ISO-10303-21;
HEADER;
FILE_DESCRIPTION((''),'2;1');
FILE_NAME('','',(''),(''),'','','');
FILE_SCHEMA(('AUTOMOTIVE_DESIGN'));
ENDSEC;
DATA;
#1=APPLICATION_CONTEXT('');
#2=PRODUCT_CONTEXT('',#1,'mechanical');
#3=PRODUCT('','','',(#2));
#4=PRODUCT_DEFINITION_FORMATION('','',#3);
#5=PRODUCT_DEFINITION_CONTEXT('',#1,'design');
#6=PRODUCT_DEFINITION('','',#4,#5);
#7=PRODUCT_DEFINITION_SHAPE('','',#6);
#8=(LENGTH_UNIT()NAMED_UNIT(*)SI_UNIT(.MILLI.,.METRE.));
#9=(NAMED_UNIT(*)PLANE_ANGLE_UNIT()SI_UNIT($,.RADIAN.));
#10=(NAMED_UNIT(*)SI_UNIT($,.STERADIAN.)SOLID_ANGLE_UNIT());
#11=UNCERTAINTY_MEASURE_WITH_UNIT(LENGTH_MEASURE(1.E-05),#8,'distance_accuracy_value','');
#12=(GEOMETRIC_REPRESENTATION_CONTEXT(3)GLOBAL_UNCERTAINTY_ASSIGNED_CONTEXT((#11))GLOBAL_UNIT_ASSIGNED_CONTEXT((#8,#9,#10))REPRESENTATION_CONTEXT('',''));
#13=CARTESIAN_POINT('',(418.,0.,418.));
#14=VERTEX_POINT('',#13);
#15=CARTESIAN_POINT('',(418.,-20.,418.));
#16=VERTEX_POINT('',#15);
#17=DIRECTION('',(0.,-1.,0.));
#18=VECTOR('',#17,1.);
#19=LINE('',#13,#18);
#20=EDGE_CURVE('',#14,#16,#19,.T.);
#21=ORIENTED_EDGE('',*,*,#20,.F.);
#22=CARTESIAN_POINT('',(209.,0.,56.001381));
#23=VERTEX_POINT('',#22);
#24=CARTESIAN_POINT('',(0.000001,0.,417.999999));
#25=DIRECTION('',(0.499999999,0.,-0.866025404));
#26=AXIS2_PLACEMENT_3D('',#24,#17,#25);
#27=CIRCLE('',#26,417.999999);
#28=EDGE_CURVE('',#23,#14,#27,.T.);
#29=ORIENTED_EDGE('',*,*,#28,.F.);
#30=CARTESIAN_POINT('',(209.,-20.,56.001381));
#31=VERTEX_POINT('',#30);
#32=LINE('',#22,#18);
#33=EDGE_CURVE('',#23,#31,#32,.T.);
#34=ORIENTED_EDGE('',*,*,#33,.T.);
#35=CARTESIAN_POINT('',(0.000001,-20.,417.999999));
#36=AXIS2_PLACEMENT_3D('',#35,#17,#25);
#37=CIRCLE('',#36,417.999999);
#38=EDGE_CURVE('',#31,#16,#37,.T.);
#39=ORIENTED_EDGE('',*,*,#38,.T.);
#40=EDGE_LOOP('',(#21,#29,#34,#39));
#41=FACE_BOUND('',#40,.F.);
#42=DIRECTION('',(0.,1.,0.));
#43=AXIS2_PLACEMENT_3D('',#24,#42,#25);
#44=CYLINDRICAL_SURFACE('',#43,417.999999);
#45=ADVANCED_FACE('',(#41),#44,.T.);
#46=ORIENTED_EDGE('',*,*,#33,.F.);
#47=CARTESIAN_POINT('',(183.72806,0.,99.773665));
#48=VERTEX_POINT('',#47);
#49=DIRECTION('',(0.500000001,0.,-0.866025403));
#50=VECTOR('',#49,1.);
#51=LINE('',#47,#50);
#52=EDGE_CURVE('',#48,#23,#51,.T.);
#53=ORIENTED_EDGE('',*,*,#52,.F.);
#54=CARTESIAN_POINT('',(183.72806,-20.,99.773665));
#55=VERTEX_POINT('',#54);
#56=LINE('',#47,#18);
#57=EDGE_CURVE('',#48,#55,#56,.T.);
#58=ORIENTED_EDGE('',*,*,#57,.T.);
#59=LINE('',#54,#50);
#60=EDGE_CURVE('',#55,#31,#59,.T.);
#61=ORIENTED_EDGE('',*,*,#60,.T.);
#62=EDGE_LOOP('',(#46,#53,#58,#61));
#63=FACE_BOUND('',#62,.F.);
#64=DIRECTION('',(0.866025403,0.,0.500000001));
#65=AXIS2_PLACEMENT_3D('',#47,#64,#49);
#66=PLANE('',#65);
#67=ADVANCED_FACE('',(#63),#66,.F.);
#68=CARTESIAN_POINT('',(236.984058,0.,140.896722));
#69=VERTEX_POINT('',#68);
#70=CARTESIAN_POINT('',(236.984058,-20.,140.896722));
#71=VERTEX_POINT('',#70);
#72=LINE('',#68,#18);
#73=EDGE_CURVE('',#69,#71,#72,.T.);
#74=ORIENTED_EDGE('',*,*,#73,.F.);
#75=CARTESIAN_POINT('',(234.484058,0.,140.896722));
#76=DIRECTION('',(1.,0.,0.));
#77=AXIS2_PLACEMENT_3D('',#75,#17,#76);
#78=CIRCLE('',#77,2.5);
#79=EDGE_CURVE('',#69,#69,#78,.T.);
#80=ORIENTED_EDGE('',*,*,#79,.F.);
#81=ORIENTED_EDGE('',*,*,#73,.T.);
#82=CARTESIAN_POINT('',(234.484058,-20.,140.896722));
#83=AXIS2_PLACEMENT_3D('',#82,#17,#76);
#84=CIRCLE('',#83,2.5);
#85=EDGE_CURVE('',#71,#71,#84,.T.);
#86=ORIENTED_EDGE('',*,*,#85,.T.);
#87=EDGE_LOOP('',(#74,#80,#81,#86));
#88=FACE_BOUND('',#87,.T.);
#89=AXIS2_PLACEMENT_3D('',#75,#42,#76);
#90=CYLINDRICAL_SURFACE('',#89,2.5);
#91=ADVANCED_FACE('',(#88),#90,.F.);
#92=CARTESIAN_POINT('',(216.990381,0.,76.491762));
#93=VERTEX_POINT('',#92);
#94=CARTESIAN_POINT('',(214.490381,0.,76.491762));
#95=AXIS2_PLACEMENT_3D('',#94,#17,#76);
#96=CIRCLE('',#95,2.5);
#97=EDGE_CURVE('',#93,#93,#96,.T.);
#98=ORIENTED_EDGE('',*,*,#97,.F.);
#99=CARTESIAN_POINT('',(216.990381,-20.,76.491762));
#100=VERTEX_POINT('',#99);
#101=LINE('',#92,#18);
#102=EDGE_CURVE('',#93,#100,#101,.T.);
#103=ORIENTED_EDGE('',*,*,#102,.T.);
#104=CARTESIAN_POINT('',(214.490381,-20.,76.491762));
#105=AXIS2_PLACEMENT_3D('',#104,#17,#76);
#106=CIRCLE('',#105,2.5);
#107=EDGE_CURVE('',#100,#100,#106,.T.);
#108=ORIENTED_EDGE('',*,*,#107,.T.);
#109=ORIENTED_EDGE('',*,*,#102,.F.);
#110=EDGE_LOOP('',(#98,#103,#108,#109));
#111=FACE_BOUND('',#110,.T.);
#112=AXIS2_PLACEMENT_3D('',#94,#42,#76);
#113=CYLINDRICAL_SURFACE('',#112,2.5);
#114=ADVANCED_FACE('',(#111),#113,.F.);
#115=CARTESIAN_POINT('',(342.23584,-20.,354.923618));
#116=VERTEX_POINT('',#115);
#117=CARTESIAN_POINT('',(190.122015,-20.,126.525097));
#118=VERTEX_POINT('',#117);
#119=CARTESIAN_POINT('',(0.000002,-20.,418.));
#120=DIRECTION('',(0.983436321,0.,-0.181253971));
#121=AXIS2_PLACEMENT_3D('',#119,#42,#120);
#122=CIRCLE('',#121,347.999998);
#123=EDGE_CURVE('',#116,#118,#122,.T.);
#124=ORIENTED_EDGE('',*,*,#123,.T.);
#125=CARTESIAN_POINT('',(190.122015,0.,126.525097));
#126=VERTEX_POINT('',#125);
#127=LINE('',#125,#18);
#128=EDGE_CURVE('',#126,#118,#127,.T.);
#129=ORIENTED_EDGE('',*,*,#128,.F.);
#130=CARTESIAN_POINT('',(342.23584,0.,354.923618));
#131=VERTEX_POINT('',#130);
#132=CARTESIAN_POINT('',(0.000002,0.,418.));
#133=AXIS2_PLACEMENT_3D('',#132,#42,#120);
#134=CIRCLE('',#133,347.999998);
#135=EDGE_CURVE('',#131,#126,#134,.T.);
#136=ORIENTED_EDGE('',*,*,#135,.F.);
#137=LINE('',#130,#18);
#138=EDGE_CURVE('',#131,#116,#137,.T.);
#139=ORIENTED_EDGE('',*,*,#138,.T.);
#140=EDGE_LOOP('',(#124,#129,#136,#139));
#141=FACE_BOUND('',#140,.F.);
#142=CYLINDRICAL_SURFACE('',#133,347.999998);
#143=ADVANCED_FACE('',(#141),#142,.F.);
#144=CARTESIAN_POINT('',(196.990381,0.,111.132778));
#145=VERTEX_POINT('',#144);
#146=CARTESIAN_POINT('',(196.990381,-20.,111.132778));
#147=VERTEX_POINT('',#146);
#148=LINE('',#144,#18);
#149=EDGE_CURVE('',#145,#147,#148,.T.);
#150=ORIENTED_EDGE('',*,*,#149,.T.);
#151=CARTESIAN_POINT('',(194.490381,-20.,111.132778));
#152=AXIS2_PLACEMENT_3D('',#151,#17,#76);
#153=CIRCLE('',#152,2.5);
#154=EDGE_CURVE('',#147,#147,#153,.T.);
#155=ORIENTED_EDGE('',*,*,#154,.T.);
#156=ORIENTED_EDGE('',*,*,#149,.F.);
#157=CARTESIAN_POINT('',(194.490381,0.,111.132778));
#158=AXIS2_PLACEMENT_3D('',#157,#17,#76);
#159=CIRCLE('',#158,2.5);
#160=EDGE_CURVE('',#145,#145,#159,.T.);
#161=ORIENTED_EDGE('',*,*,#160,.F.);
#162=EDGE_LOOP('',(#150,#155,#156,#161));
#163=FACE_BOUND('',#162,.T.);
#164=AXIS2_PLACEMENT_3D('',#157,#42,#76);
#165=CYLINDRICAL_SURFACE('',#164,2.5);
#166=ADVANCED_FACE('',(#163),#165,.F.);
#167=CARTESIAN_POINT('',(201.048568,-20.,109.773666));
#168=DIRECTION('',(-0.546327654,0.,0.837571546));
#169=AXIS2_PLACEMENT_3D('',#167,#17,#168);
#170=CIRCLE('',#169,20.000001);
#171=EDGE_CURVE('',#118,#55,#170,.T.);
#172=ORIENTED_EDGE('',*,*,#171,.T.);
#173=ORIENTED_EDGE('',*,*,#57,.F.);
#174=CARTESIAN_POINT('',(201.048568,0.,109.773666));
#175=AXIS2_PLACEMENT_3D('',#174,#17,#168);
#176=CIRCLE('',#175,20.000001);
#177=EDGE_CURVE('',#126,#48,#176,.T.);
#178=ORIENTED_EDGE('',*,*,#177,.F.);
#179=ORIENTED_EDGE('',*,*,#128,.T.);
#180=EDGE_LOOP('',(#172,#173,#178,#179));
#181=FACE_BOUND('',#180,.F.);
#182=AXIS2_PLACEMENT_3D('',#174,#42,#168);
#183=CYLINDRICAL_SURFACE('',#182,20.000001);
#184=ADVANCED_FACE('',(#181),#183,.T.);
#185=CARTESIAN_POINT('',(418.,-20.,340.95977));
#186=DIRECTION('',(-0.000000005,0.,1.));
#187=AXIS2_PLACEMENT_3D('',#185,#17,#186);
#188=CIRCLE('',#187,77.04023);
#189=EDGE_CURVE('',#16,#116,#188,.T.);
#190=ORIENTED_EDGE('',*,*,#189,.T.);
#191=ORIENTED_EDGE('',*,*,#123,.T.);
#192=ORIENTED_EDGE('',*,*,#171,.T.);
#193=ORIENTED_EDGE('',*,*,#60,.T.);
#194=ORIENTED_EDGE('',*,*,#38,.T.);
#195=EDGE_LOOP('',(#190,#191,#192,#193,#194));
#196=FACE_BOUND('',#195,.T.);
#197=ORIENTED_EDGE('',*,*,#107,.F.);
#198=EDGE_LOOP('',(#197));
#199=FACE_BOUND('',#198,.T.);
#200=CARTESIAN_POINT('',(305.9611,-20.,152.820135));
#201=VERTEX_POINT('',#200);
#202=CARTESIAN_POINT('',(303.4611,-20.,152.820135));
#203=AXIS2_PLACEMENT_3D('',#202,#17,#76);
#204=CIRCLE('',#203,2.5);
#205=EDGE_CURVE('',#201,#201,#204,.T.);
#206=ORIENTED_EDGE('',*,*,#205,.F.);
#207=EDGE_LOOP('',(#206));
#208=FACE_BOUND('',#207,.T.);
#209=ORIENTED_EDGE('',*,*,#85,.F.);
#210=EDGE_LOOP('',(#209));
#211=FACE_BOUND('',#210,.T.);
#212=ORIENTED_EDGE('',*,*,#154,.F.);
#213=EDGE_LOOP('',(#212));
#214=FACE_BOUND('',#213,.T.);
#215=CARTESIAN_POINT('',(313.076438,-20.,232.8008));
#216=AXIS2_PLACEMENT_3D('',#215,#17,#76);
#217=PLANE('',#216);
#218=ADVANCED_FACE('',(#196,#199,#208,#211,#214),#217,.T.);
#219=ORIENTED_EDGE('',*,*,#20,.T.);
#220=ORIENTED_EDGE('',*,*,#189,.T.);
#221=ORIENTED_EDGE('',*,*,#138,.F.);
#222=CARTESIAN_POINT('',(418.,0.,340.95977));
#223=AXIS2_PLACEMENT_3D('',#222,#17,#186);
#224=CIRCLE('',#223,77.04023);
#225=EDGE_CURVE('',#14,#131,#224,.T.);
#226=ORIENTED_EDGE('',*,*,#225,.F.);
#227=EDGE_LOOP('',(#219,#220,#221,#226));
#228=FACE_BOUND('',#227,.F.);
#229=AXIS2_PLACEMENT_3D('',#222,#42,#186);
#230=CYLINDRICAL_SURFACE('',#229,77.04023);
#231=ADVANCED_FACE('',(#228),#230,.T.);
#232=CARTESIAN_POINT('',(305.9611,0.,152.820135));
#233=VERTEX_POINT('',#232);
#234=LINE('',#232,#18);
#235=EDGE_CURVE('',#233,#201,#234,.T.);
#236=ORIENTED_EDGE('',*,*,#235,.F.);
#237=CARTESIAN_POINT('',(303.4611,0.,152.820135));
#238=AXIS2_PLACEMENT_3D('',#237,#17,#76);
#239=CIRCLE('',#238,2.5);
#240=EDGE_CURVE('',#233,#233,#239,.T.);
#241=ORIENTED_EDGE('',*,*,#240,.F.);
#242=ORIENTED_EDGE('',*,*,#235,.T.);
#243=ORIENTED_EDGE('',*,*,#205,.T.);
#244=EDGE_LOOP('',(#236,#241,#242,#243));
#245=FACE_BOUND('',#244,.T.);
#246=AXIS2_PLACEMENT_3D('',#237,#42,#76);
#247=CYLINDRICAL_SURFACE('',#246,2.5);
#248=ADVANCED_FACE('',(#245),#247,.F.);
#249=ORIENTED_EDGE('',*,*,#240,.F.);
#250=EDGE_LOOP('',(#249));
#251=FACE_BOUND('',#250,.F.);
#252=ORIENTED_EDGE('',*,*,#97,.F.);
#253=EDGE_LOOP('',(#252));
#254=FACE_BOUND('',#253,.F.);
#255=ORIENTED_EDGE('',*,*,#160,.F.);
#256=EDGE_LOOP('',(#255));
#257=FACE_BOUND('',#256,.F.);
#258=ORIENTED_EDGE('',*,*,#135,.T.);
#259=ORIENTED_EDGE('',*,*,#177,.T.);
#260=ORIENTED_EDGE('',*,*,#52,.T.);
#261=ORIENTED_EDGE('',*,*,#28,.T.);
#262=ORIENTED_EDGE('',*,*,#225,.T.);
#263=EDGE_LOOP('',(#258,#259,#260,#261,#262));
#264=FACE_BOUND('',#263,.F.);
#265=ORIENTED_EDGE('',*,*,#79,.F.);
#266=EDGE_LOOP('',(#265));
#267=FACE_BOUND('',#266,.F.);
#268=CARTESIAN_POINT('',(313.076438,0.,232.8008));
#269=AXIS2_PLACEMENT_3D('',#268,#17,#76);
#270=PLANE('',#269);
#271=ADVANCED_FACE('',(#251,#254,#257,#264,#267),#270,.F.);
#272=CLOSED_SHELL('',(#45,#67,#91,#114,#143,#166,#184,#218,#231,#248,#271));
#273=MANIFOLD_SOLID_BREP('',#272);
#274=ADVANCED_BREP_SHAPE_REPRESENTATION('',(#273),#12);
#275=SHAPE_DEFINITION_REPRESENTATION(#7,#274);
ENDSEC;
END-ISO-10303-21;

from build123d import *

# Parameters (mm, degrees)
F0_R     = 2.5
F1_DEPTH = 20


with BuildPart() as f1:
    # F0 (on Front) → F1 (new body)
    with BuildSketch(Plane.XZ):
        with BuildLine():
            ThreePointArc((209, 56.001381), (361.998619, 209), (418, 418))
            ThreePointArc((418, 418), (368.707917, 400.166928), (342.23584, 354.923618))
            ThreePointArc((342.23584, 354.923618), (289.642353, 225.097674), (190.122015, 126.525097))
            ThreePointArc((190.122015, 126.525097), (181.596476, 114.42298), (183.72806, 99.773665))
            Line((183.72806, 99.773665), (209, 56.001381))
        make_face()
        with Locations((214.490381, 76.491762)):
            Circle(F0_R, mode=Mode.SUBTRACT)
        with Locations((194.490381, 111.132778)):
            Circle(F0_R, mode=Mode.SUBTRACT)
        with Locations((234.484058, 140.896722)):
            Circle(F0_R, mode=Mode.SUBTRACT)
        with Locations((303.4611, 152.820135)):
            Circle(F0_R, mode=Mode.SUBTRACT)
    extrude(amount=F1_DEPTH)


solid = f1.part
